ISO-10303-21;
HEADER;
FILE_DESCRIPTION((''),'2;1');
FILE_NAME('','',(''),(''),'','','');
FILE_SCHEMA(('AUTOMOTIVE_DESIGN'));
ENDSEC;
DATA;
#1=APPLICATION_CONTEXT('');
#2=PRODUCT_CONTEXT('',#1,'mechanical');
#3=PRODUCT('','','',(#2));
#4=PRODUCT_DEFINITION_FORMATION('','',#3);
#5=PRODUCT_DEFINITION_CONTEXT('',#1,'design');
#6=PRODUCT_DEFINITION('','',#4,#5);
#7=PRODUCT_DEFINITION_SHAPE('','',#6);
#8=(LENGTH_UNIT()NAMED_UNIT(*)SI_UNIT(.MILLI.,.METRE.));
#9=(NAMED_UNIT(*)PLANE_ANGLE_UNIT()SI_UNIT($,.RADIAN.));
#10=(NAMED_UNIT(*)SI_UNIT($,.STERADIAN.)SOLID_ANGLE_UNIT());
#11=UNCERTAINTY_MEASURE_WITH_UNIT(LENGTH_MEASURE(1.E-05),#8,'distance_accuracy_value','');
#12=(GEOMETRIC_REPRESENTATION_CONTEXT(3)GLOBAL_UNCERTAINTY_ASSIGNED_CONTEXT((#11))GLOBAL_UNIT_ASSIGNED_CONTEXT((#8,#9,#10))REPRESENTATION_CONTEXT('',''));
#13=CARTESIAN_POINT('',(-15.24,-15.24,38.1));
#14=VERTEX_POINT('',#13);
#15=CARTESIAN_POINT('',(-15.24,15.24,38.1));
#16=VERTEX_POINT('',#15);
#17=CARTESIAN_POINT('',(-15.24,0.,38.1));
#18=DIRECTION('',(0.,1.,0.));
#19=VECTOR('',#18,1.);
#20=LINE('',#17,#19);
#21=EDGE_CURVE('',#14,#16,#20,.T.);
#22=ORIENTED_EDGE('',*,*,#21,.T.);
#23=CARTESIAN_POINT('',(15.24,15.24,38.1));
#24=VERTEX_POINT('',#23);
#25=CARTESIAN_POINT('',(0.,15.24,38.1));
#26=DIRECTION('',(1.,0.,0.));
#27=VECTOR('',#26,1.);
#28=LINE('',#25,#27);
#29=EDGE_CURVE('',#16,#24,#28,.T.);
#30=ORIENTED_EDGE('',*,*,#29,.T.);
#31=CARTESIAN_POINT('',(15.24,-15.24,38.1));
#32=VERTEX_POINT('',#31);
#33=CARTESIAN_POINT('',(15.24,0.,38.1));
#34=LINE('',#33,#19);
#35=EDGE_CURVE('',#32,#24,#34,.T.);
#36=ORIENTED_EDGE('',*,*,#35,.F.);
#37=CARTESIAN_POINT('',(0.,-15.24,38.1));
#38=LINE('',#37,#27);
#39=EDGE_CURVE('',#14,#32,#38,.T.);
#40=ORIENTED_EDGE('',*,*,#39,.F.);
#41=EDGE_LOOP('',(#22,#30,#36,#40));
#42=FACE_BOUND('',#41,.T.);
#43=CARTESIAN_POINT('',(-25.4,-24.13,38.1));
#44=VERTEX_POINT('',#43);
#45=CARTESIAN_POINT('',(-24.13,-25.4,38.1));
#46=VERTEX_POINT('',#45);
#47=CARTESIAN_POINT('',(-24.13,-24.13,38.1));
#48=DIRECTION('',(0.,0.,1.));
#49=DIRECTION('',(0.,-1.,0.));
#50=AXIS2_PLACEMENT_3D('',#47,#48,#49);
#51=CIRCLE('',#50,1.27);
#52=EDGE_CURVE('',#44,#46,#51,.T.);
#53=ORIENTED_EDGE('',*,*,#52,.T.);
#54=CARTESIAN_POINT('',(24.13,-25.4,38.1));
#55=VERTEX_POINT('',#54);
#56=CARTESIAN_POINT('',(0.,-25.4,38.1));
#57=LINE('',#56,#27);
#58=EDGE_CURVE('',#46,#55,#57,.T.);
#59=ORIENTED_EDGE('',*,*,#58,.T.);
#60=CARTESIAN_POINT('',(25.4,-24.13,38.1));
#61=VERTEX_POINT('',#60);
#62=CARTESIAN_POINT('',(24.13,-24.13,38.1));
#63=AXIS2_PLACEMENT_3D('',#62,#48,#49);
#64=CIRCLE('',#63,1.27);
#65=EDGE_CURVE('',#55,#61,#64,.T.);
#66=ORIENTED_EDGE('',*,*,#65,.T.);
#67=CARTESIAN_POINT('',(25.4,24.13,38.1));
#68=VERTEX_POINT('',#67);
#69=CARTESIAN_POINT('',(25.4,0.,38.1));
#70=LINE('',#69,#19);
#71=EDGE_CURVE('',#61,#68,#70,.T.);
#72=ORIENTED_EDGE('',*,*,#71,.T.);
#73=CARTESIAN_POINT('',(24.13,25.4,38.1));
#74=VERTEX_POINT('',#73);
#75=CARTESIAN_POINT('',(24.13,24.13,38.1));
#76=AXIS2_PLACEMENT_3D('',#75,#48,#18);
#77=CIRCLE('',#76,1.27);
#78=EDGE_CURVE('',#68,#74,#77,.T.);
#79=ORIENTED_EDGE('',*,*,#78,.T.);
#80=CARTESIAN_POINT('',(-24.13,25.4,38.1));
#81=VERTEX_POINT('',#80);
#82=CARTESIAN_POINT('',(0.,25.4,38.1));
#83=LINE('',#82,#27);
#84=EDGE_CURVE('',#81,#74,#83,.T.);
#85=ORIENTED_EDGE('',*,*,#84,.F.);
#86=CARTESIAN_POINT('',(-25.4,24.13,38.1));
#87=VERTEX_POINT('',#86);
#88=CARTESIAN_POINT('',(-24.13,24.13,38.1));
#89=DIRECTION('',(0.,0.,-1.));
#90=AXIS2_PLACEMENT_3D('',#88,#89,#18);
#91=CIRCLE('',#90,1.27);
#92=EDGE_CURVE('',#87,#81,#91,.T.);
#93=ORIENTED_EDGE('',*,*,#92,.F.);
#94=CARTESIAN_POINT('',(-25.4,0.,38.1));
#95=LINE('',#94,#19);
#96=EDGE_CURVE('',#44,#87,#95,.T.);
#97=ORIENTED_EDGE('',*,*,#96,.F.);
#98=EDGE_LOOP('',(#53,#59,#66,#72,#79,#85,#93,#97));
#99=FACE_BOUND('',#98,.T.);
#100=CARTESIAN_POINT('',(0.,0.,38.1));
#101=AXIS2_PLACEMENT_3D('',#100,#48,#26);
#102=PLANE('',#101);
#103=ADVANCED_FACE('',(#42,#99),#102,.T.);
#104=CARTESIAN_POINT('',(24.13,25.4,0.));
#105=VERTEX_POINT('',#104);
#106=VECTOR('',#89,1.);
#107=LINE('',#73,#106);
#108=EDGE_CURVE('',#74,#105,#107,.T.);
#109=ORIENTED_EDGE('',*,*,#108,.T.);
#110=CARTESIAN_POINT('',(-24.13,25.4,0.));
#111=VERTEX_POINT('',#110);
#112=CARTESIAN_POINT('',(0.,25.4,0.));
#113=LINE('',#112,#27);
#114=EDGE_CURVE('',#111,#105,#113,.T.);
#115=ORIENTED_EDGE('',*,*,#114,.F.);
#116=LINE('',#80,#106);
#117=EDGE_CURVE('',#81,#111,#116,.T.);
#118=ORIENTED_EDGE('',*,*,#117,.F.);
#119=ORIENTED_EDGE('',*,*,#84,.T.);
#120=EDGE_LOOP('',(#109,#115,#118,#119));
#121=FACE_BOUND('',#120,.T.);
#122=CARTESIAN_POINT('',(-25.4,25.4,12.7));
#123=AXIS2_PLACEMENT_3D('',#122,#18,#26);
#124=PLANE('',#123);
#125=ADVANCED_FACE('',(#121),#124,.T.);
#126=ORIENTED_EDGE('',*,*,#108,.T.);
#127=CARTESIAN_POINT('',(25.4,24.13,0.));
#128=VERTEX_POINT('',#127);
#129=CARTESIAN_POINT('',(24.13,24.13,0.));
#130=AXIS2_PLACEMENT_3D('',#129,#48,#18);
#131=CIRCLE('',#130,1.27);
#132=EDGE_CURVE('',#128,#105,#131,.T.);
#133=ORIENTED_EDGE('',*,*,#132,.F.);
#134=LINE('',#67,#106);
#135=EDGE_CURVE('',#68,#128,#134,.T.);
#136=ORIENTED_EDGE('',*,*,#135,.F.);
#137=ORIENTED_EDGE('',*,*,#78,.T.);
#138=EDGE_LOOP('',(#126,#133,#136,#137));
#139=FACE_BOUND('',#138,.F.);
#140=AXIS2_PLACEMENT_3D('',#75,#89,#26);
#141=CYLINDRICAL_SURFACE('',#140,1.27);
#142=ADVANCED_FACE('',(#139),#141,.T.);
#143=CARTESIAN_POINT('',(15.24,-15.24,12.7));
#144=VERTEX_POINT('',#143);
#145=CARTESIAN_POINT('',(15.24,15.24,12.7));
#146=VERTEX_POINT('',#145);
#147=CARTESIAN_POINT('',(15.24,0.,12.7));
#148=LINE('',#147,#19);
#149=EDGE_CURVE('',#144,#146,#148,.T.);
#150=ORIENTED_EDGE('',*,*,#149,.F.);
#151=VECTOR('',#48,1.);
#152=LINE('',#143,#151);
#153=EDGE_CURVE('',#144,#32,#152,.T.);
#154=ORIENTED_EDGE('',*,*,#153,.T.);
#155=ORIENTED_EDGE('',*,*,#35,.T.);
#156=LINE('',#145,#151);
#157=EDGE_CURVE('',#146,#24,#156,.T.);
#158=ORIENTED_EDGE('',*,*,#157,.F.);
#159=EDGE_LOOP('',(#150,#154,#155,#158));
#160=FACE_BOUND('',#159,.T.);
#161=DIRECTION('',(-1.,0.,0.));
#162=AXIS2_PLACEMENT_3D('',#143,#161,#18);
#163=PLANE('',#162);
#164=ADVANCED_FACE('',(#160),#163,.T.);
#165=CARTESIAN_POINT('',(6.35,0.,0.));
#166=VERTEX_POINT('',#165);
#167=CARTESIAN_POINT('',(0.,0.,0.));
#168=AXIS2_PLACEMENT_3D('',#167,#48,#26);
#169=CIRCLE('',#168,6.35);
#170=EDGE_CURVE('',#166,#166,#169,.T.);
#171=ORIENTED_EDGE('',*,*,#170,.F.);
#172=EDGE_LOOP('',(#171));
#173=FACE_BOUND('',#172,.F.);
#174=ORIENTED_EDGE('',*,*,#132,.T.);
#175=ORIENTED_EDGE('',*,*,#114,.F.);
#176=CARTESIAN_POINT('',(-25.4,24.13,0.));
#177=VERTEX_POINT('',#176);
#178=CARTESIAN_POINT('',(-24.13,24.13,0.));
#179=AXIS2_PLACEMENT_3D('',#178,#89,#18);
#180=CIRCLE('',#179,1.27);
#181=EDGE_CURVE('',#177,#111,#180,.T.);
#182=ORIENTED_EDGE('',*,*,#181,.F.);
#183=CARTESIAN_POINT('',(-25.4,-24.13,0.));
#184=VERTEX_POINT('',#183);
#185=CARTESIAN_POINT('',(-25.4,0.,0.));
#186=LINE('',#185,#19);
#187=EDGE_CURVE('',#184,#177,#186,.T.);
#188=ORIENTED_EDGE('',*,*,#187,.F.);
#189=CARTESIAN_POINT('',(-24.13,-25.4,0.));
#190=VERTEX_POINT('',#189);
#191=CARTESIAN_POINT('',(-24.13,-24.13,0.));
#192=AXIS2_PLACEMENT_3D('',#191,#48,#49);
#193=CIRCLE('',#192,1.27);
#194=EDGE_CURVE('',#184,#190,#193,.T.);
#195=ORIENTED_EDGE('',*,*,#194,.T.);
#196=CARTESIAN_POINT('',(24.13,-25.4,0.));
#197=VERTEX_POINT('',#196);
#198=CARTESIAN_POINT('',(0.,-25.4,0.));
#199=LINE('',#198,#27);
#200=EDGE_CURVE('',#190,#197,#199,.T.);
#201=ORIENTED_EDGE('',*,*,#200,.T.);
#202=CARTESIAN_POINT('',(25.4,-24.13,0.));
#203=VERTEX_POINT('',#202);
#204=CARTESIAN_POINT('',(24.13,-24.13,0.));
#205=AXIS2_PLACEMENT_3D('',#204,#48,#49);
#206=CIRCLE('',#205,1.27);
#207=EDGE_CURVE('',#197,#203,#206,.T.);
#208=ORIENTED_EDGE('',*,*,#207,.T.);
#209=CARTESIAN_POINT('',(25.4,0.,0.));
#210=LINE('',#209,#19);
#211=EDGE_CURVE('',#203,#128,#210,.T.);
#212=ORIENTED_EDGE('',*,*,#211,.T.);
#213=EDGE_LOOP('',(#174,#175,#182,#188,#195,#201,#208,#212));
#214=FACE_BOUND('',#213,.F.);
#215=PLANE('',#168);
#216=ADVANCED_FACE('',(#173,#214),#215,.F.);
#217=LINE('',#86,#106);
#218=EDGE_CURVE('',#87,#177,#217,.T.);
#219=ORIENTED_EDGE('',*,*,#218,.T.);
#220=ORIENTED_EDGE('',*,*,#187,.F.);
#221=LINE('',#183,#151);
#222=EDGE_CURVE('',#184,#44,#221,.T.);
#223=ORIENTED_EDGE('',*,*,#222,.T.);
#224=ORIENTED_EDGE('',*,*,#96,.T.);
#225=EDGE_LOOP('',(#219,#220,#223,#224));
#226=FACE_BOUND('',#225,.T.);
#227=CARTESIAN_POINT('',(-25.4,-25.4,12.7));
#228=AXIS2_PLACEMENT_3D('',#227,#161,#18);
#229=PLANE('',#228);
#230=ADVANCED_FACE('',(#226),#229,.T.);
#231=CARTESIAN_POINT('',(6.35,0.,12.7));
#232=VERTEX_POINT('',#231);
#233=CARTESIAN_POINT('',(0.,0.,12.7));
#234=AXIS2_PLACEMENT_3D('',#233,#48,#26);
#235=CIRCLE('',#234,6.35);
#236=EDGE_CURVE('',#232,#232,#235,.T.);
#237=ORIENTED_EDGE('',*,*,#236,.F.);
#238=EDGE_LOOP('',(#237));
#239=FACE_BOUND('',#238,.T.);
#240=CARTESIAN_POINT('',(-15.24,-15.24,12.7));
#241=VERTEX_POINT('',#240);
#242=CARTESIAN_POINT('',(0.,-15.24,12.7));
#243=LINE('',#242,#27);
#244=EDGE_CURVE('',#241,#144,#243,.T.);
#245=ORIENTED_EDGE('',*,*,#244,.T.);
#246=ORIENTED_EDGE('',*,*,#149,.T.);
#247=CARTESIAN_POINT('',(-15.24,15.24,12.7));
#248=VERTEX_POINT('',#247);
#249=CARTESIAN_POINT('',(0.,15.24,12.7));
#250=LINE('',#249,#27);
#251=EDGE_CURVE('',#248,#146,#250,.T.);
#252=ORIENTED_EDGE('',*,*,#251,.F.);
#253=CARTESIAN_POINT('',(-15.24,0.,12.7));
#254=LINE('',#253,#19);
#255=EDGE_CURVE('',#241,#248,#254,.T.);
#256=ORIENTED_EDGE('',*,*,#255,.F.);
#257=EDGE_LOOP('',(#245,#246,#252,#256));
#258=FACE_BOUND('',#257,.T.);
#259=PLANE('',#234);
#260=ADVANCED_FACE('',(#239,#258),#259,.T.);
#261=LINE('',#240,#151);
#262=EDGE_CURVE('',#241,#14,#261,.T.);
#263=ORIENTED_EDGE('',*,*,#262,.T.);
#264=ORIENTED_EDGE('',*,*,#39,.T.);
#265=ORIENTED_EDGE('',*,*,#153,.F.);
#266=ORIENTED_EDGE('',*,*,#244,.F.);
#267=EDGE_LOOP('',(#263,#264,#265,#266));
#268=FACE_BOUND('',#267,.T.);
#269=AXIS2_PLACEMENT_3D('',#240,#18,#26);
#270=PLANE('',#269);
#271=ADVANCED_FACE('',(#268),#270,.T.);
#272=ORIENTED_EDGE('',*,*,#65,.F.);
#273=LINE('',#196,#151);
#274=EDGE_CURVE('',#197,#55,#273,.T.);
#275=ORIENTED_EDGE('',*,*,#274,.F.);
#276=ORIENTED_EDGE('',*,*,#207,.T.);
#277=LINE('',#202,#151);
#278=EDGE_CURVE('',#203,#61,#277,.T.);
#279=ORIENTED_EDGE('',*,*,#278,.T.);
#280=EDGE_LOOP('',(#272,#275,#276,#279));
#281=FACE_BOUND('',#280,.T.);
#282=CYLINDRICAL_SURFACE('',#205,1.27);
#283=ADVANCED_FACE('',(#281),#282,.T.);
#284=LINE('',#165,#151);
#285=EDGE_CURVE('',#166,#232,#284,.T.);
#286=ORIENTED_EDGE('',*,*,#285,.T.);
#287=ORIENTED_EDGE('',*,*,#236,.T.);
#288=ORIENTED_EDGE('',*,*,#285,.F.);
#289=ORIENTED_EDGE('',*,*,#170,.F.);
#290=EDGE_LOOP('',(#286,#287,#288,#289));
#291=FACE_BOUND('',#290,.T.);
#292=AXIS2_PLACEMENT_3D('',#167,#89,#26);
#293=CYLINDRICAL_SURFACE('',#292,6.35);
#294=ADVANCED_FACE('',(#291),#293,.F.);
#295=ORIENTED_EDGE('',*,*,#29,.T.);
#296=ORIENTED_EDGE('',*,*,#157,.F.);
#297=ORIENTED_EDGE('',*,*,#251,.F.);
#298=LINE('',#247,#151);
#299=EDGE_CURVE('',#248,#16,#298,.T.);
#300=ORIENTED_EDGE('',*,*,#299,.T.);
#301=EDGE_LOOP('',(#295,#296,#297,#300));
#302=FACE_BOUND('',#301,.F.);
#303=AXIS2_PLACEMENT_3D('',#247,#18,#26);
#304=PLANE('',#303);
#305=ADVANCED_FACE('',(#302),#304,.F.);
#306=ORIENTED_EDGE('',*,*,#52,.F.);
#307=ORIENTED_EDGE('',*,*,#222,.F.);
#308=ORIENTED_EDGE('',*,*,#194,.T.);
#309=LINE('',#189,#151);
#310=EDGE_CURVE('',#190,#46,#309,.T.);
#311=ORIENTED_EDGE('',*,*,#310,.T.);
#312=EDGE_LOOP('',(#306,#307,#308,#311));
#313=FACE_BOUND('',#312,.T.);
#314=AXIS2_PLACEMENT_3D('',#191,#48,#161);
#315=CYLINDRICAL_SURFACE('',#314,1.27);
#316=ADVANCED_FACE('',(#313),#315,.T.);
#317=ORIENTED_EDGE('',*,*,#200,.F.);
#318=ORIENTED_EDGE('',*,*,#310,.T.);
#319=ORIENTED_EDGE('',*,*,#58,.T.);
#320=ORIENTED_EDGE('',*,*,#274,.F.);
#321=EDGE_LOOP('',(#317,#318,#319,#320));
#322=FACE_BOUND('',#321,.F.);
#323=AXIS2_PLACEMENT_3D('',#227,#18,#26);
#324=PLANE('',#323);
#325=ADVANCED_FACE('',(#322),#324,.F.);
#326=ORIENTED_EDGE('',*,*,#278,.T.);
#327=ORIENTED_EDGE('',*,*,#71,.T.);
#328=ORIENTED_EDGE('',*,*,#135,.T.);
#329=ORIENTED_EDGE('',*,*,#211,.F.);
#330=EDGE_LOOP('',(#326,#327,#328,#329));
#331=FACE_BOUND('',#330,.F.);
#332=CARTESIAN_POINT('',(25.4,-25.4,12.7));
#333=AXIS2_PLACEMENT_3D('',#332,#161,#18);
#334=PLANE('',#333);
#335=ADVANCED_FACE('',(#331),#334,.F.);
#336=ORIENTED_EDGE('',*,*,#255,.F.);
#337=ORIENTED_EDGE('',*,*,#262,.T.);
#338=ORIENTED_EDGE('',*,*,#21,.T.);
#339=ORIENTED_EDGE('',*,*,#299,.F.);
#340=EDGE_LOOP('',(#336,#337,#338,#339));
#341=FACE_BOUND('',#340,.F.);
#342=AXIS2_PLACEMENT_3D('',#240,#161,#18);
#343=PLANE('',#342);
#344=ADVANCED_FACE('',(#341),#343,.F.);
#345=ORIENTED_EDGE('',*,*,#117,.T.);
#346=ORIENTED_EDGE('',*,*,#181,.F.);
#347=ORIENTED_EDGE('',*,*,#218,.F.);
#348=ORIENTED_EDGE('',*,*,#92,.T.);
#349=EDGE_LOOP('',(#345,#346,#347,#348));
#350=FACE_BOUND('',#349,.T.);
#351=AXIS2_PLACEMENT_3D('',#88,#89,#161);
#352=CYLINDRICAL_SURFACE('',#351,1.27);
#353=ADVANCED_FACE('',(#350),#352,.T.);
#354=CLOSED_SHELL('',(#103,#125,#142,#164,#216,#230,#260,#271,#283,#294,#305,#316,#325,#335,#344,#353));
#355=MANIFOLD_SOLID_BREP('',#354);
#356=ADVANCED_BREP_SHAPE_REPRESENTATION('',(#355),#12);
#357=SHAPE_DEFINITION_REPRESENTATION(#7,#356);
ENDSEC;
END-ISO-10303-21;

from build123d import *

# Parameters (mm, degrees)
F0_W     = 50.8
F0_H     = 50.8
F0_R     = 6.35
F1_DEPTH = 12.7
F2_W     = 50.8
F2_H     = 50.8
F2_W_2   = 30.48
F2_H_2   = 30.48
F3_DEPTH = 25.4
F4_R     = 1.27


with BuildPart() as f1:
    # F0 (on Top) → F1 (new body)
    with BuildSketch(Plane.XY):
        Rectangle(F0_W, F0_H)
        Circle(F0_R, mode=Mode.SUBTRACT)
    extrude(amount=F1_DEPTH)

    # F2 (on face) → F3 (join)
    with BuildSketch(Plane.XY.offset(12.7)):
        Rectangle(F2_W, F2_H)
        Rectangle(F2_W_2, F2_H_2, mode=Mode.SUBTRACT)
    extrude(amount=F3_DEPTH)

    # F4
    f4_edges = [f1.edges().sort_by_distance(p)[0] for p in [
        (25.4, -25.4, 19.05),
        (25.4, 25.4, 19.05),
        (-25.4, -25.4, 19.05),
        (-25.4, 25.4, 19.05),
    ]]
    fillet(f4_edges, radius=F4_R)


solid = f1.part
